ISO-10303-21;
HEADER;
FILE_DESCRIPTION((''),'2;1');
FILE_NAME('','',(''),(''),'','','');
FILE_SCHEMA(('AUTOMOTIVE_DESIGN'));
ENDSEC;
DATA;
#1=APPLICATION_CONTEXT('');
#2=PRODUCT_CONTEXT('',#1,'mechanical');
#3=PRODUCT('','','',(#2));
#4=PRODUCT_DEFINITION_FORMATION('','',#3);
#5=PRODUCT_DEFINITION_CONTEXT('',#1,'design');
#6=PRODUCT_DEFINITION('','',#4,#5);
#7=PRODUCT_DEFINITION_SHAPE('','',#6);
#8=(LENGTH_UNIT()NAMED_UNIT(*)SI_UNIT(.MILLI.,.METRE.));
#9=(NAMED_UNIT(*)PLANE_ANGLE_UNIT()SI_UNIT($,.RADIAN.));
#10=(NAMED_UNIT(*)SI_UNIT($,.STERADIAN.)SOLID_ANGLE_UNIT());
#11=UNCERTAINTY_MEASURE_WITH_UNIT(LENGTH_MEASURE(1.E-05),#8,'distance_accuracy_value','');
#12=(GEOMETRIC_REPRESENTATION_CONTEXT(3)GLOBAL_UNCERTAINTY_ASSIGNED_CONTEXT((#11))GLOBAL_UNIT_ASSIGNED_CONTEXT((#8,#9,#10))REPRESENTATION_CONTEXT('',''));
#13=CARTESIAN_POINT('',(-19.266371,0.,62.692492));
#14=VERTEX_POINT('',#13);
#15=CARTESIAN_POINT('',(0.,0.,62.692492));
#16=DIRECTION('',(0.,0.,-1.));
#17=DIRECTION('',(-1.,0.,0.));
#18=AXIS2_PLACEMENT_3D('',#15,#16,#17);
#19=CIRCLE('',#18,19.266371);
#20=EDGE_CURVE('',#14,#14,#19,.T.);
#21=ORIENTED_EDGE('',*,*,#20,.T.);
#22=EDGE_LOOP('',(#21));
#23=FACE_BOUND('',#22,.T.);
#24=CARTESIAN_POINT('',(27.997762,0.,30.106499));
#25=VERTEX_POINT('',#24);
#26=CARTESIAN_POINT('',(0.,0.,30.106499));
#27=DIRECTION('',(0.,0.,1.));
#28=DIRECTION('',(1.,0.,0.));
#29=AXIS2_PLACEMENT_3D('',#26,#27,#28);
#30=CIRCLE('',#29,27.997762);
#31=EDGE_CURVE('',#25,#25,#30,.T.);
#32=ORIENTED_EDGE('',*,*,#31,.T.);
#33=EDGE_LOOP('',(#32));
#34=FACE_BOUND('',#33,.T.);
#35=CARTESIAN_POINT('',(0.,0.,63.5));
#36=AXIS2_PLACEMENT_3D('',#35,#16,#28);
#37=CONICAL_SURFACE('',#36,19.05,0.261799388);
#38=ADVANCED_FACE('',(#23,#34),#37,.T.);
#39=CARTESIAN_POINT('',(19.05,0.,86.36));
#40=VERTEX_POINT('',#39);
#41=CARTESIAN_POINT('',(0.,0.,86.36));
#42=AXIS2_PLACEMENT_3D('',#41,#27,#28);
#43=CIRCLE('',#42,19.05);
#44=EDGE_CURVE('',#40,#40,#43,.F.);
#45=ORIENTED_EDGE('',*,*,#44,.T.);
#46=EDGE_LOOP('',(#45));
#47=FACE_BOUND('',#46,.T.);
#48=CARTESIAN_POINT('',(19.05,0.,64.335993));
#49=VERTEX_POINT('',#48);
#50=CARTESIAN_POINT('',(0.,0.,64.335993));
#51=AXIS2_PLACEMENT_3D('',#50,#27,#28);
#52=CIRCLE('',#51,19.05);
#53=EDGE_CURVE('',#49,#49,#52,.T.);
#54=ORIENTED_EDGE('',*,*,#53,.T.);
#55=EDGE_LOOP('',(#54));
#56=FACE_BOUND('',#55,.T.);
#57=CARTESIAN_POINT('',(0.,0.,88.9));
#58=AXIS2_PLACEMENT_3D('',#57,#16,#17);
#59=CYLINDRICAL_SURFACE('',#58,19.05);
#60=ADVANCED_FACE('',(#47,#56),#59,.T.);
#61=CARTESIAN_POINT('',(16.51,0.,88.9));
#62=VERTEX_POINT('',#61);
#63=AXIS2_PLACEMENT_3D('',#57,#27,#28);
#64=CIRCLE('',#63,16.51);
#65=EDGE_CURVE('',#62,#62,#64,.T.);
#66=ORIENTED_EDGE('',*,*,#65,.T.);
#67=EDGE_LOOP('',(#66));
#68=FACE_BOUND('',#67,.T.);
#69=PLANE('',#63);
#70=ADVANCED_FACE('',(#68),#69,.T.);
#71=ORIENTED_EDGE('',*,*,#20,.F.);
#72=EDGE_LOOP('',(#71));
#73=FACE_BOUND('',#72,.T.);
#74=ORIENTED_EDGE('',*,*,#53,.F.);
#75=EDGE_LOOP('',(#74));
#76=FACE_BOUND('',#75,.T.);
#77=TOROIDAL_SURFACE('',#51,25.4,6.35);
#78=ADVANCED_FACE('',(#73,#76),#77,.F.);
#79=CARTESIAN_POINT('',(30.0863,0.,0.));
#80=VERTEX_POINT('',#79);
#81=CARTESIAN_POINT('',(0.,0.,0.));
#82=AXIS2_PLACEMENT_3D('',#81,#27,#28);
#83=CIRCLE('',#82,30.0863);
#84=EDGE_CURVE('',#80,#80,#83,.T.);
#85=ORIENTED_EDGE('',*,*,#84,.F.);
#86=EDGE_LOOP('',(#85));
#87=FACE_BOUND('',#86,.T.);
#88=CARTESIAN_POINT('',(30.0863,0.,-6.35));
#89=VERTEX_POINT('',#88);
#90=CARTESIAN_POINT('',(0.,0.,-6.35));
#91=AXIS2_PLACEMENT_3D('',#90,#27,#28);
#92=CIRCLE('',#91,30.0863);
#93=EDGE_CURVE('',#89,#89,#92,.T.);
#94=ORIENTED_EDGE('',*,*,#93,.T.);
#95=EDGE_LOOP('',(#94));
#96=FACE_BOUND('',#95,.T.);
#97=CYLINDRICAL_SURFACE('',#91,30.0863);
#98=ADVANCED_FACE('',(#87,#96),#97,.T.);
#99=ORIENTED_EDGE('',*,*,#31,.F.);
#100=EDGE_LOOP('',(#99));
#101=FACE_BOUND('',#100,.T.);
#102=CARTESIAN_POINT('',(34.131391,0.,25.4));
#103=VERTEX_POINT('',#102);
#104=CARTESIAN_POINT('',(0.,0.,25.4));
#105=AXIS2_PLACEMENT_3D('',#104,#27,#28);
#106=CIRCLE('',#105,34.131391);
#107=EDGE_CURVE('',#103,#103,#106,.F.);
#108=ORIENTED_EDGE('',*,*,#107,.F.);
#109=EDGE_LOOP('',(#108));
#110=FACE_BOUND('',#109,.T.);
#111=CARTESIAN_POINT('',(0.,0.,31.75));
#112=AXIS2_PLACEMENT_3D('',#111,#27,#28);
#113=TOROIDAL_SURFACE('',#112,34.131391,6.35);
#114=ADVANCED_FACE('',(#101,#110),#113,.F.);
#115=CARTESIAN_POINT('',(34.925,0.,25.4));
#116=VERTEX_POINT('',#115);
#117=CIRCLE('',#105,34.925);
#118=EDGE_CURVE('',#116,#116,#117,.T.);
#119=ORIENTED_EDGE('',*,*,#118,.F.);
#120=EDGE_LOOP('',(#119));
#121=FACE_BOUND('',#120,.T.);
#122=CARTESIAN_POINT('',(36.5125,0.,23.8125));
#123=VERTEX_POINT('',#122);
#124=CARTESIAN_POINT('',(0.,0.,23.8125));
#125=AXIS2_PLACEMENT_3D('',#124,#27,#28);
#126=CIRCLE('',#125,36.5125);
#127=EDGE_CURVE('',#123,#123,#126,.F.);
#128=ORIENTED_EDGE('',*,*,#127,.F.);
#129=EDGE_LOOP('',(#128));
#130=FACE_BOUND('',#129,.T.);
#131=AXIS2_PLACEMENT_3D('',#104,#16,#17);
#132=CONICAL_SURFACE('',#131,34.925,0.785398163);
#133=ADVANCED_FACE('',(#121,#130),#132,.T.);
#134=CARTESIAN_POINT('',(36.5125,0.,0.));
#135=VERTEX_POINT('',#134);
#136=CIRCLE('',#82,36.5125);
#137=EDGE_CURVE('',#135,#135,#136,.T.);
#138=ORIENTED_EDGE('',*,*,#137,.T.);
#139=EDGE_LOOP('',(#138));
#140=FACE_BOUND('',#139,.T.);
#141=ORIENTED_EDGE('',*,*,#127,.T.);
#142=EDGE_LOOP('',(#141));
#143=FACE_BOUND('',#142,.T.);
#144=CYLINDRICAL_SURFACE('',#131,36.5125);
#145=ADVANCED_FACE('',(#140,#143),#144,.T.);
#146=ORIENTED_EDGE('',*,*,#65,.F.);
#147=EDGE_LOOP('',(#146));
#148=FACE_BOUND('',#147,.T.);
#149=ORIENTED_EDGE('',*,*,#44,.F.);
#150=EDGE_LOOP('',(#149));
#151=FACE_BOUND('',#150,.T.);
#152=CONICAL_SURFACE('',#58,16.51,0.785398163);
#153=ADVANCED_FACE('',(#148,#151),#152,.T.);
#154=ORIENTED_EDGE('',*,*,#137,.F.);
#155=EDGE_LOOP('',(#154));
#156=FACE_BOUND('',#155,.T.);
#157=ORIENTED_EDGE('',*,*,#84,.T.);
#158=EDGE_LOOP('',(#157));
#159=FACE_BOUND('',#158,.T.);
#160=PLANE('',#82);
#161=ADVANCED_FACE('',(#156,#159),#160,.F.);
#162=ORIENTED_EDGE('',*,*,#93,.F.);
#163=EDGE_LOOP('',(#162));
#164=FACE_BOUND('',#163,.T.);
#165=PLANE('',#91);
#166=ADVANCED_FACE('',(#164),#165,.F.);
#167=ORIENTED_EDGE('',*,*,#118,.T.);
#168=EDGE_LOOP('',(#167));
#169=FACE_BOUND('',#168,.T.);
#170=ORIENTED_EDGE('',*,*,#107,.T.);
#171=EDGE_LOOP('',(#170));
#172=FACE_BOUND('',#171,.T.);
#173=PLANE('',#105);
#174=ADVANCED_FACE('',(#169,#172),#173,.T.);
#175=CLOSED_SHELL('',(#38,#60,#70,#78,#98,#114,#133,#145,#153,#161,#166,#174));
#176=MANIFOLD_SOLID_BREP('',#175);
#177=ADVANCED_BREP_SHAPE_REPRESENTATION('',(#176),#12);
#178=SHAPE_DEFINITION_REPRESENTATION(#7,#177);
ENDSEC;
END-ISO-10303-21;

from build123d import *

# Parameters (mm, degrees)
SKETCH1_R           = 30.0863
BOSS_EXTRUDE1_DEPTH = 6.35
SKETCH2_R           = 36.5125
BOSS_EXTRUDE2_DEPTH = 25.4
SKETCH3_R           = 19.05
BOSS_EXTRUDE3_DEPTH = 38.1
DRAFT1_ANGLE        = 15
SKETCH4_R           = 19.05
BOSS_EXTRUDE4_DEPTH = 25.4
CHAMFER1_SIZE       = 2.54
FILLET1_R           = 6.35
CHAMFER2_SIZE       = 1.5875


with BuildPart() as part:
    # Sketch1 → Boss-Extrude1 (new body)
    with BuildSketch(Plane.XY):
        Circle(SKETCH1_R)
    extrude(amount=-BOSS_EXTRUDE1_DEPTH)

    # Sketch2 → Boss-Extrude2 (add)
    with BuildSketch(Plane.XY):
        Circle(SKETCH2_R)
    extrude(amount=BOSS_EXTRUDE2_DEPTH)

    # Sketch3 → Boss-Extrude3 (add)
    with BuildSketch(Plane.XY.offset(25.4)):
        Circle(SKETCH3_R)
    extrude(amount=BOSS_EXTRUDE3_DEPTH)

    # Draft1
    draft1_faces = [part.faces().sort_by_distance(p)[0] for p in [
        (-19.05, 0, 44.45),
    ]]
    draft(draft1_faces, Plane.XY.offset(63.5), DRAFT1_ANGLE)

    # Sketch4 → Boss-Extrude4 (add)
    with BuildSketch(Plane.XY.offset(63.5)):
        Circle(SKETCH4_R)
    extrude(amount=BOSS_EXTRUDE4_DEPTH)

    # Chamfer1
    chamfer1_edges = [part.edges().sort_by_distance(p)[0] for p in [
        (-19.05, 0, 88.9),
    ]]
    chamfer(chamfer1_edges, length=CHAMFER1_SIZE)

    # Fillet1
    fillet1_edges = [part.edges().sort_by_distance(p)[0] for p in [
        (-19.05, 0, 63.5),
        (-29.258864232, 0, 25.4),
    ]]
    fillet(fillet1_edges, radius=FILLET1_R)

    # Chamfer2
    chamfer2_edges = [part.edges().sort_by_distance(p)[0] for p in [
        (-36.5125, 0, 25.4),
    ]]
    chamfer(chamfer2_edges, length=CHAMFER2_SIZE)


solid = part.part
